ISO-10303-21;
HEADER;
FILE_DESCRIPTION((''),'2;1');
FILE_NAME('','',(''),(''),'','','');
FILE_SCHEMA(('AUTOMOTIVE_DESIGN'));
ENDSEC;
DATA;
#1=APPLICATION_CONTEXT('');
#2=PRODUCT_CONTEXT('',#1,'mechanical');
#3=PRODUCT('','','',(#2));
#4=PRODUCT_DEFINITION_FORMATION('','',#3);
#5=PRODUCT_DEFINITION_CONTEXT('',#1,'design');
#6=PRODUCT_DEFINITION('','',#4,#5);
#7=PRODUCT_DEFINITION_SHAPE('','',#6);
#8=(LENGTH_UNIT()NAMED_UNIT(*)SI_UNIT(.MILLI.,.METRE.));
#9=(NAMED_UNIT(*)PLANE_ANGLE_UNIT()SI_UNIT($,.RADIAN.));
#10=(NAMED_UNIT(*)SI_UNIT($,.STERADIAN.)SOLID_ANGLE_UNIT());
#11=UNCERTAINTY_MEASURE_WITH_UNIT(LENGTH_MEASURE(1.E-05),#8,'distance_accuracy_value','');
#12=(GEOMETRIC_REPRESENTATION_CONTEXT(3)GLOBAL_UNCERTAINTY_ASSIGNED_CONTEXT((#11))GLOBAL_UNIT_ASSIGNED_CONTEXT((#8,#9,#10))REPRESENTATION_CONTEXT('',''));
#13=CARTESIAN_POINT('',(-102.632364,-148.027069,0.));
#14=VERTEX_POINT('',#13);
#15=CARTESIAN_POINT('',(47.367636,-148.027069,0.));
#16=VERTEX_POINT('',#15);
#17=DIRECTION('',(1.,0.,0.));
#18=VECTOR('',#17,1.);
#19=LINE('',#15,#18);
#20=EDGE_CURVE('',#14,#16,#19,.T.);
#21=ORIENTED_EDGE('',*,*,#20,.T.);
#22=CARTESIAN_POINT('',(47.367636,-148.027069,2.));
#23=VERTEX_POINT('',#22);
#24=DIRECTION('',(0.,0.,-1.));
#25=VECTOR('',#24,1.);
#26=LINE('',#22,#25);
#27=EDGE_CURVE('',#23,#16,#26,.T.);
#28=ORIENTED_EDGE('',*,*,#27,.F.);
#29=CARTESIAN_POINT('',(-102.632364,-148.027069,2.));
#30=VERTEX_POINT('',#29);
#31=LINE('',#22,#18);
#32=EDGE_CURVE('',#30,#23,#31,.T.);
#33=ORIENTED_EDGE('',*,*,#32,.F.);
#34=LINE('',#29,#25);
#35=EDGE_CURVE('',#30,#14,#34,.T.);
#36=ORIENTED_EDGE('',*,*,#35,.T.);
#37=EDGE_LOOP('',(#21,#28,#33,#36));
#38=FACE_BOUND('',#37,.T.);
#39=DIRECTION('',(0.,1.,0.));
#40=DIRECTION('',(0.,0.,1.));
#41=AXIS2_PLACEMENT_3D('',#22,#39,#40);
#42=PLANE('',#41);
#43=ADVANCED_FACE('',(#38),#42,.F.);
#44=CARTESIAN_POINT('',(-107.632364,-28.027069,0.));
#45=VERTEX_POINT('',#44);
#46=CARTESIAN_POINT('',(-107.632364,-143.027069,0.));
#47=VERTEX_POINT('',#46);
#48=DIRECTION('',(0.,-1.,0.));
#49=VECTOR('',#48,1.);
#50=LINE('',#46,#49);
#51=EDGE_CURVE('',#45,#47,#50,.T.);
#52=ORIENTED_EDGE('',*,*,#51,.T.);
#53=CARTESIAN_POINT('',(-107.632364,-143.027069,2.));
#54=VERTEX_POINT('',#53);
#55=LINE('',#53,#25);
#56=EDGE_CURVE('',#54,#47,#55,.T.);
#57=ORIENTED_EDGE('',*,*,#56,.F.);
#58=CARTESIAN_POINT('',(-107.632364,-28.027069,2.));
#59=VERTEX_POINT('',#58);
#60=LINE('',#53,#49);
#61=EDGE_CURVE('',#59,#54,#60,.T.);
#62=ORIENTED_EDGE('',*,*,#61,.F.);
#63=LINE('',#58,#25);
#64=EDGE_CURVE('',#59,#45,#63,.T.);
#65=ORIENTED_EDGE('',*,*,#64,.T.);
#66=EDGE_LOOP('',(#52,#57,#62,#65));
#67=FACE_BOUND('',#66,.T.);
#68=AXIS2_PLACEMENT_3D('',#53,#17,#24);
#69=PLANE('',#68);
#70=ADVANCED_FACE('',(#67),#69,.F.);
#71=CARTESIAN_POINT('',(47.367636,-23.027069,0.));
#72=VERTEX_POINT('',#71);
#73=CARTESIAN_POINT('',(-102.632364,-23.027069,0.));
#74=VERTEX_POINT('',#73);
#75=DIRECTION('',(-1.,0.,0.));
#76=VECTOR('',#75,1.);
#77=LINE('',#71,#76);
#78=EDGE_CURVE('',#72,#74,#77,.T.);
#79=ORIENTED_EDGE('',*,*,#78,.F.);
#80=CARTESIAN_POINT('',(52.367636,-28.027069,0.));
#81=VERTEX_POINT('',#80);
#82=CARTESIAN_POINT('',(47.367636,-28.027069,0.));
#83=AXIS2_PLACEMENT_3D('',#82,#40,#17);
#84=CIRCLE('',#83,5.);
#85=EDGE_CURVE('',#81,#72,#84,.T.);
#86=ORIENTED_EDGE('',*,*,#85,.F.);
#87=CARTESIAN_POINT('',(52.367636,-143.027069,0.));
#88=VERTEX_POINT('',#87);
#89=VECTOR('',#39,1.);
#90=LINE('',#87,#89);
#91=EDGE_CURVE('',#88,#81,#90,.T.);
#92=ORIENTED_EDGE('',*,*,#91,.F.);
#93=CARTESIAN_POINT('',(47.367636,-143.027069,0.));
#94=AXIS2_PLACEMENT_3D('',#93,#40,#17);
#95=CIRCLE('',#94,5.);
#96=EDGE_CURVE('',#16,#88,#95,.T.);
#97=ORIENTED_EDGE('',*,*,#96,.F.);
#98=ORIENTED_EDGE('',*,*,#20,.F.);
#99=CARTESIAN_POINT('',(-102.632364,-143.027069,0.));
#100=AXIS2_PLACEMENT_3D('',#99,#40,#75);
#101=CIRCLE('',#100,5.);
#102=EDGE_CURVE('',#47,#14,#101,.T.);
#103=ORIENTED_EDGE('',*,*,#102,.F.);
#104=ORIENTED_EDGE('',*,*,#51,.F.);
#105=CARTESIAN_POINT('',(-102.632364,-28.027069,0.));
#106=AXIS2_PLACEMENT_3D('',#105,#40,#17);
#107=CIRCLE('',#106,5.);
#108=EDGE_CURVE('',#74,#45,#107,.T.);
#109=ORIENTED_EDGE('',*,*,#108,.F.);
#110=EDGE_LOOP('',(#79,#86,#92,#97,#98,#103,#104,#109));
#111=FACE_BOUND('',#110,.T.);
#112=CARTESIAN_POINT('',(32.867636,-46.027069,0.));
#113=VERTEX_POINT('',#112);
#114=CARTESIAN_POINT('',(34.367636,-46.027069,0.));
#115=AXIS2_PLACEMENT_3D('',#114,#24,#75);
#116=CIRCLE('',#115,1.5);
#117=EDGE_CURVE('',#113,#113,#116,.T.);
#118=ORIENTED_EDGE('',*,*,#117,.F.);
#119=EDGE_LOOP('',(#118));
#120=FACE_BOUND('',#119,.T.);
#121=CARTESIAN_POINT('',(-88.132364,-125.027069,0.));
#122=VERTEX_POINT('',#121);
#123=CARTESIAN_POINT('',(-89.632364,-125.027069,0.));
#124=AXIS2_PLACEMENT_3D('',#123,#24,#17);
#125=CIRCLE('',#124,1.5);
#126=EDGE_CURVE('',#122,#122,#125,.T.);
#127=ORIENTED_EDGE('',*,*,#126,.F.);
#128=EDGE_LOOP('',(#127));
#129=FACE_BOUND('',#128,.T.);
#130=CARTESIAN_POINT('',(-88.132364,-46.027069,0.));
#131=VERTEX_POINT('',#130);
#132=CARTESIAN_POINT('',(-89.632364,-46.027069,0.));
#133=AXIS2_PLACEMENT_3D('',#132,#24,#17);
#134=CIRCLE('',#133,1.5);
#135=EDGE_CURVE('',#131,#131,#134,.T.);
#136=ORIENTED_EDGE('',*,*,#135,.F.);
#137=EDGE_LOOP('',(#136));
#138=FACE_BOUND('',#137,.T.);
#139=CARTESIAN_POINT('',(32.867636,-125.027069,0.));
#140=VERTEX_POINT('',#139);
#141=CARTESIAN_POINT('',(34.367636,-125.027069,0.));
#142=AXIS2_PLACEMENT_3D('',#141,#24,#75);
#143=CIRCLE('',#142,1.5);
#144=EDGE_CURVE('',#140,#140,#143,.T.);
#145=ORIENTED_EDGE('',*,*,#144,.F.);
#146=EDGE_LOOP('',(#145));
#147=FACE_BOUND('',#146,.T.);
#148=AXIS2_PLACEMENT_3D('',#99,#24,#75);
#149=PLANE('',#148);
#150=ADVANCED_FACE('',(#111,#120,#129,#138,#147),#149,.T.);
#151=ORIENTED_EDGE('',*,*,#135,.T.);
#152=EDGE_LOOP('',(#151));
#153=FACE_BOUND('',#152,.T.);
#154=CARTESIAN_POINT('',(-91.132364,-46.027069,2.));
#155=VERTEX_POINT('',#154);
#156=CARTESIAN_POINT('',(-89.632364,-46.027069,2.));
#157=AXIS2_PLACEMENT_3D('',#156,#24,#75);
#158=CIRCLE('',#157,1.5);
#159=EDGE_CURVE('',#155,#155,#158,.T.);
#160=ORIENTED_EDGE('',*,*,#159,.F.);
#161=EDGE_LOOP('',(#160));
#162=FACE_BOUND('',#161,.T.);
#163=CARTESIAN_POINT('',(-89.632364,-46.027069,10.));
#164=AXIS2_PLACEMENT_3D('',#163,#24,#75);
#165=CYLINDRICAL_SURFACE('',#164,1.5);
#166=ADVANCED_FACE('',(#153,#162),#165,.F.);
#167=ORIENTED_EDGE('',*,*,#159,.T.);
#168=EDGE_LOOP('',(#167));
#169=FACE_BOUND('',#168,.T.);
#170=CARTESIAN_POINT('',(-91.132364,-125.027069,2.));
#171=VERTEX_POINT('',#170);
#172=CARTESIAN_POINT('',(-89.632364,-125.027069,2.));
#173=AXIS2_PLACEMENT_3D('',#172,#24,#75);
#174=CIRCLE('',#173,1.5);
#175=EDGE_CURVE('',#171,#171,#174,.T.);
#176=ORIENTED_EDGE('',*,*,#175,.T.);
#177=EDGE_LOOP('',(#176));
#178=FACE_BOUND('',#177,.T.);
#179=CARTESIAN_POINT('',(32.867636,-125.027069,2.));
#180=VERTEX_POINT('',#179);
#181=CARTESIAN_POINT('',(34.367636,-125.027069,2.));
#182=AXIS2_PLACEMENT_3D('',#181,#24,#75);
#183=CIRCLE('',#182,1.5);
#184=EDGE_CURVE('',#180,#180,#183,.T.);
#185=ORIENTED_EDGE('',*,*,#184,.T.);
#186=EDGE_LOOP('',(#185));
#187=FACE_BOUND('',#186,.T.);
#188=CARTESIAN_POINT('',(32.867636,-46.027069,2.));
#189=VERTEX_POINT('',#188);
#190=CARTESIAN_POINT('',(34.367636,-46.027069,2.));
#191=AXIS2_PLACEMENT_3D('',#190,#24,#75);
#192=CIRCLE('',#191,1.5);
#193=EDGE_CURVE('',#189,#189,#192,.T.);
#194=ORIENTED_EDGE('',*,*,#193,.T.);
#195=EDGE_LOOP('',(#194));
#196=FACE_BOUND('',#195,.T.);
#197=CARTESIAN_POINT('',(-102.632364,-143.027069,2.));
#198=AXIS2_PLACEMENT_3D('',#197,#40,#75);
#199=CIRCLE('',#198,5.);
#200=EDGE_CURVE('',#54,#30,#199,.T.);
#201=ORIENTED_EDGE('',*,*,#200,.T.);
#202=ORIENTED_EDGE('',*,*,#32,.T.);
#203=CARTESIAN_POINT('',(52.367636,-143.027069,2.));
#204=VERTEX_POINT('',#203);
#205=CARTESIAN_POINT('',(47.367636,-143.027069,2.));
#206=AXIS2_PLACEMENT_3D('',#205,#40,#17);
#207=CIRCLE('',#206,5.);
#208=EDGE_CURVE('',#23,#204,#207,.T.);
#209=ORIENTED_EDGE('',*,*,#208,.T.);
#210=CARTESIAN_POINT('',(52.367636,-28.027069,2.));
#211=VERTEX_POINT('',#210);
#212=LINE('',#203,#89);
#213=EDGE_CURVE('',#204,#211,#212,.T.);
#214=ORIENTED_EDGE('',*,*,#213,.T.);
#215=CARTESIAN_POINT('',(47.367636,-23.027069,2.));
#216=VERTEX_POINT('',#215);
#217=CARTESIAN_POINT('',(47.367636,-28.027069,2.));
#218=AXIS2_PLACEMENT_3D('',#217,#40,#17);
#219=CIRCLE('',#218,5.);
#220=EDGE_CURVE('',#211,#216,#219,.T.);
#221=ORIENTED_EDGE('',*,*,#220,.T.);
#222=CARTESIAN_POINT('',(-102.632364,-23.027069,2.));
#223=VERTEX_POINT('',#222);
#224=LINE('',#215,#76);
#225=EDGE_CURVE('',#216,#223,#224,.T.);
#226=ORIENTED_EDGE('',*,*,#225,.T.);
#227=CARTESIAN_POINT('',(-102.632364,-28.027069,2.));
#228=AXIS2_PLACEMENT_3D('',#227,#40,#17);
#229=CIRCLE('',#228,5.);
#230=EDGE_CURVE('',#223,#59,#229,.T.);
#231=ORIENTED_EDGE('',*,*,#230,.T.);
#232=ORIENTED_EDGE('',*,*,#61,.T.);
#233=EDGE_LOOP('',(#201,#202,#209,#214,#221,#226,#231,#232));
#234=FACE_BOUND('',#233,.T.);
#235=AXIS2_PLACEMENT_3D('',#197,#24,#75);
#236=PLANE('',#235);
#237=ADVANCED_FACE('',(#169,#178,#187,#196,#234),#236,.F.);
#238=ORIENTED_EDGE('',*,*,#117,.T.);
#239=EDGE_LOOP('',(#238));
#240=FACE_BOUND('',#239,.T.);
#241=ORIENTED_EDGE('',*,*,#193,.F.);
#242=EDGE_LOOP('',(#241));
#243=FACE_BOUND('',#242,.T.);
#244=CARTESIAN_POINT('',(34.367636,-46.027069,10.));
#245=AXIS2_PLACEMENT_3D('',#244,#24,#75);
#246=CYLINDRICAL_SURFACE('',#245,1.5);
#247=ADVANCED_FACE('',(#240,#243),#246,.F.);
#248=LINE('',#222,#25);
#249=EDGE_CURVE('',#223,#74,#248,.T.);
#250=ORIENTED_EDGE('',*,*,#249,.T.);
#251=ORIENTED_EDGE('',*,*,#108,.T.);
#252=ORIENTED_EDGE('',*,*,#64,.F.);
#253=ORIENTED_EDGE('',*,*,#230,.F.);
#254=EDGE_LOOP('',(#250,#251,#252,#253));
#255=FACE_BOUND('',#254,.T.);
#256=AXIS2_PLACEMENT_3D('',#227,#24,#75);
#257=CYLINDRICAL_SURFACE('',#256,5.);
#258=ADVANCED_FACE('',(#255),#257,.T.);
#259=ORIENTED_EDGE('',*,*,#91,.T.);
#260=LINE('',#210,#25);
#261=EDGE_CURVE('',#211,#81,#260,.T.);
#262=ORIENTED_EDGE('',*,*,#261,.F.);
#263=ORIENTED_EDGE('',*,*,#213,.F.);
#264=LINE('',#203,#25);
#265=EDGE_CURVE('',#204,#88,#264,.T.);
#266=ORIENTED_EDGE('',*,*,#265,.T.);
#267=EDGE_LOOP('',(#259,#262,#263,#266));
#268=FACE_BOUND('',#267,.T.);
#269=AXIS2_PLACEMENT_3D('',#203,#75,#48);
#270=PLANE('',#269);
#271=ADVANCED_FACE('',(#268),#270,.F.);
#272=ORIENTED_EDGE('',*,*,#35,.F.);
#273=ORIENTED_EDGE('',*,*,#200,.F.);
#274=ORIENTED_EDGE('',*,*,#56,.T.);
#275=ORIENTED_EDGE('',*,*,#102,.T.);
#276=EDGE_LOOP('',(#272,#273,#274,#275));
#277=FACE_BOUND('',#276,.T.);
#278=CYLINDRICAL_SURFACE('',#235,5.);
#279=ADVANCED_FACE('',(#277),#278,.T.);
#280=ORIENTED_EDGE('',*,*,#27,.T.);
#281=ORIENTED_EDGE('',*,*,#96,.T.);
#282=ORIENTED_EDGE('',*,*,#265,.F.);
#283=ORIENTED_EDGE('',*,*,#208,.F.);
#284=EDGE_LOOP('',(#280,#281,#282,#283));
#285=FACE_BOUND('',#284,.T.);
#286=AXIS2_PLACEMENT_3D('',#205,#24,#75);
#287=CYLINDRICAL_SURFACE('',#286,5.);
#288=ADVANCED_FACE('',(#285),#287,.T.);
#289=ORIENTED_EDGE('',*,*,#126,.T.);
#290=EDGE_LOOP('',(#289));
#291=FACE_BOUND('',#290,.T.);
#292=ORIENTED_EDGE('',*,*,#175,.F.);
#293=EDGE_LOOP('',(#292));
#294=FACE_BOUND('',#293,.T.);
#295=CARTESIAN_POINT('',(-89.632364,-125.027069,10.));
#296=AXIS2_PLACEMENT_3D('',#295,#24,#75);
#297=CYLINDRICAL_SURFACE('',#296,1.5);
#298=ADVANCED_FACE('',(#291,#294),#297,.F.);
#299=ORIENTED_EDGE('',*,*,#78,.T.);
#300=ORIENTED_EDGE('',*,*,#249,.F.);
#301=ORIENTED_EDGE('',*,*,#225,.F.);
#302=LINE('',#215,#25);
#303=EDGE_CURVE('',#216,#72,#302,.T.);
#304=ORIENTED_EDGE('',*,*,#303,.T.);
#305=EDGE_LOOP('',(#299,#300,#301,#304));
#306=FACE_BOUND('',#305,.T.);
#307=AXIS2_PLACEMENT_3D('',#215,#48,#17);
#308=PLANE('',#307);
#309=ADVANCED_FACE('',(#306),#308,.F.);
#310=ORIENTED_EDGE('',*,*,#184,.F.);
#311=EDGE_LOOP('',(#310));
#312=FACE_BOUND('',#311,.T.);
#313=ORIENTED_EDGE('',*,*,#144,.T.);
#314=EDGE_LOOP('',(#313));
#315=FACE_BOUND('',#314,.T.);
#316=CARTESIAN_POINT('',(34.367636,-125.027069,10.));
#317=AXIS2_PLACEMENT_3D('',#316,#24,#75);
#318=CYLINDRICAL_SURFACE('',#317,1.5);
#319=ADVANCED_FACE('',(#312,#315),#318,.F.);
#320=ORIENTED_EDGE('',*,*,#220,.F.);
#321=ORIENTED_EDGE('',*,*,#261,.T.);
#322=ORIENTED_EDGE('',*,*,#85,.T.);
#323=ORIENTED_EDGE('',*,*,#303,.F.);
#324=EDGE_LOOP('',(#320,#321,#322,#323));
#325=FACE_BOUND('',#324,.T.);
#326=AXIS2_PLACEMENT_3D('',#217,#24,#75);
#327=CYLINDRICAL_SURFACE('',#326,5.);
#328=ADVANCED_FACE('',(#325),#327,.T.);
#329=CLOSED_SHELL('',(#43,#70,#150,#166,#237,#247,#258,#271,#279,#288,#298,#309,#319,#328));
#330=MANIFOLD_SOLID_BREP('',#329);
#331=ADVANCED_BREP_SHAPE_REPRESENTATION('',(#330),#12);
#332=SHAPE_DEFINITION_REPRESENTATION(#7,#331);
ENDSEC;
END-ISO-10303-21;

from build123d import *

# Parameters (mm, degrees)
RESSALTO_EXTRUS_O1_DEPTH = 2
ESBO_O2_R                = 1.5
CORTE_EXTRUS_O1_DEPTH    = 10


with BuildPart() as part:
    # Esboço1 → Ressalto-extrusão1 (new body)
    with BuildSketch(Plane.XY):
        with BuildLine():
            Line((47.367635672, -148.027068541), (-102.632364328, -148.027068541))
            ThreePointArc((-102.632364328, -148.027068541), (-106.167898234, -146.562602447), (-107.632364328, -143.027068541))
            Line((-107.632364328, -143.027068541), (-107.632364328, -28.027068541))
            ThreePointArc((-107.632364328, -28.027068541), (-106.167898234, -24.491534635), (-102.632364328, -23.027068541))
            Line((-102.632364328, -23.027068541), (47.367635672, -23.027068541))
            ThreePointArc((47.367635672, -23.027068541), (50.903169578, -24.491534635), (52.367635672, -28.027068541))
            Line((52.367635672, -28.027068541), (52.367635672, -143.027068541))
            ThreePointArc((52.367635672, -143.027068541), (50.903169578, -146.562602447), (47.367635672, -148.027068541))
        make_face()
    extrude(amount=RESSALTO_EXTRUS_O1_DEPTH)

    # Esboço2 → Corte-extrusão1 (cut)
    with BuildSketch(Plane(origin=(0, 0, 0), x_dir=(-1, 0, 0), z_dir=(0, 0, -1))):
        with Locations((-34.367635672, -125.027068541)):
            Circle(ESBO_O2_R)
        with Locations((-34.367635672, -46.027068541)):
            Circle(ESBO_O2_R)
        with Locations((89.632364328, -46.027068541)):
            Circle(ESBO_O2_R)
        with Locations((89.632364328, -125.027068541)):
            Circle(ESBO_O2_R)
    extrude(amount=-CORTE_EXTRUS_O1_DEPTH, mode=Mode.SUBTRACT)


solid = part.part
